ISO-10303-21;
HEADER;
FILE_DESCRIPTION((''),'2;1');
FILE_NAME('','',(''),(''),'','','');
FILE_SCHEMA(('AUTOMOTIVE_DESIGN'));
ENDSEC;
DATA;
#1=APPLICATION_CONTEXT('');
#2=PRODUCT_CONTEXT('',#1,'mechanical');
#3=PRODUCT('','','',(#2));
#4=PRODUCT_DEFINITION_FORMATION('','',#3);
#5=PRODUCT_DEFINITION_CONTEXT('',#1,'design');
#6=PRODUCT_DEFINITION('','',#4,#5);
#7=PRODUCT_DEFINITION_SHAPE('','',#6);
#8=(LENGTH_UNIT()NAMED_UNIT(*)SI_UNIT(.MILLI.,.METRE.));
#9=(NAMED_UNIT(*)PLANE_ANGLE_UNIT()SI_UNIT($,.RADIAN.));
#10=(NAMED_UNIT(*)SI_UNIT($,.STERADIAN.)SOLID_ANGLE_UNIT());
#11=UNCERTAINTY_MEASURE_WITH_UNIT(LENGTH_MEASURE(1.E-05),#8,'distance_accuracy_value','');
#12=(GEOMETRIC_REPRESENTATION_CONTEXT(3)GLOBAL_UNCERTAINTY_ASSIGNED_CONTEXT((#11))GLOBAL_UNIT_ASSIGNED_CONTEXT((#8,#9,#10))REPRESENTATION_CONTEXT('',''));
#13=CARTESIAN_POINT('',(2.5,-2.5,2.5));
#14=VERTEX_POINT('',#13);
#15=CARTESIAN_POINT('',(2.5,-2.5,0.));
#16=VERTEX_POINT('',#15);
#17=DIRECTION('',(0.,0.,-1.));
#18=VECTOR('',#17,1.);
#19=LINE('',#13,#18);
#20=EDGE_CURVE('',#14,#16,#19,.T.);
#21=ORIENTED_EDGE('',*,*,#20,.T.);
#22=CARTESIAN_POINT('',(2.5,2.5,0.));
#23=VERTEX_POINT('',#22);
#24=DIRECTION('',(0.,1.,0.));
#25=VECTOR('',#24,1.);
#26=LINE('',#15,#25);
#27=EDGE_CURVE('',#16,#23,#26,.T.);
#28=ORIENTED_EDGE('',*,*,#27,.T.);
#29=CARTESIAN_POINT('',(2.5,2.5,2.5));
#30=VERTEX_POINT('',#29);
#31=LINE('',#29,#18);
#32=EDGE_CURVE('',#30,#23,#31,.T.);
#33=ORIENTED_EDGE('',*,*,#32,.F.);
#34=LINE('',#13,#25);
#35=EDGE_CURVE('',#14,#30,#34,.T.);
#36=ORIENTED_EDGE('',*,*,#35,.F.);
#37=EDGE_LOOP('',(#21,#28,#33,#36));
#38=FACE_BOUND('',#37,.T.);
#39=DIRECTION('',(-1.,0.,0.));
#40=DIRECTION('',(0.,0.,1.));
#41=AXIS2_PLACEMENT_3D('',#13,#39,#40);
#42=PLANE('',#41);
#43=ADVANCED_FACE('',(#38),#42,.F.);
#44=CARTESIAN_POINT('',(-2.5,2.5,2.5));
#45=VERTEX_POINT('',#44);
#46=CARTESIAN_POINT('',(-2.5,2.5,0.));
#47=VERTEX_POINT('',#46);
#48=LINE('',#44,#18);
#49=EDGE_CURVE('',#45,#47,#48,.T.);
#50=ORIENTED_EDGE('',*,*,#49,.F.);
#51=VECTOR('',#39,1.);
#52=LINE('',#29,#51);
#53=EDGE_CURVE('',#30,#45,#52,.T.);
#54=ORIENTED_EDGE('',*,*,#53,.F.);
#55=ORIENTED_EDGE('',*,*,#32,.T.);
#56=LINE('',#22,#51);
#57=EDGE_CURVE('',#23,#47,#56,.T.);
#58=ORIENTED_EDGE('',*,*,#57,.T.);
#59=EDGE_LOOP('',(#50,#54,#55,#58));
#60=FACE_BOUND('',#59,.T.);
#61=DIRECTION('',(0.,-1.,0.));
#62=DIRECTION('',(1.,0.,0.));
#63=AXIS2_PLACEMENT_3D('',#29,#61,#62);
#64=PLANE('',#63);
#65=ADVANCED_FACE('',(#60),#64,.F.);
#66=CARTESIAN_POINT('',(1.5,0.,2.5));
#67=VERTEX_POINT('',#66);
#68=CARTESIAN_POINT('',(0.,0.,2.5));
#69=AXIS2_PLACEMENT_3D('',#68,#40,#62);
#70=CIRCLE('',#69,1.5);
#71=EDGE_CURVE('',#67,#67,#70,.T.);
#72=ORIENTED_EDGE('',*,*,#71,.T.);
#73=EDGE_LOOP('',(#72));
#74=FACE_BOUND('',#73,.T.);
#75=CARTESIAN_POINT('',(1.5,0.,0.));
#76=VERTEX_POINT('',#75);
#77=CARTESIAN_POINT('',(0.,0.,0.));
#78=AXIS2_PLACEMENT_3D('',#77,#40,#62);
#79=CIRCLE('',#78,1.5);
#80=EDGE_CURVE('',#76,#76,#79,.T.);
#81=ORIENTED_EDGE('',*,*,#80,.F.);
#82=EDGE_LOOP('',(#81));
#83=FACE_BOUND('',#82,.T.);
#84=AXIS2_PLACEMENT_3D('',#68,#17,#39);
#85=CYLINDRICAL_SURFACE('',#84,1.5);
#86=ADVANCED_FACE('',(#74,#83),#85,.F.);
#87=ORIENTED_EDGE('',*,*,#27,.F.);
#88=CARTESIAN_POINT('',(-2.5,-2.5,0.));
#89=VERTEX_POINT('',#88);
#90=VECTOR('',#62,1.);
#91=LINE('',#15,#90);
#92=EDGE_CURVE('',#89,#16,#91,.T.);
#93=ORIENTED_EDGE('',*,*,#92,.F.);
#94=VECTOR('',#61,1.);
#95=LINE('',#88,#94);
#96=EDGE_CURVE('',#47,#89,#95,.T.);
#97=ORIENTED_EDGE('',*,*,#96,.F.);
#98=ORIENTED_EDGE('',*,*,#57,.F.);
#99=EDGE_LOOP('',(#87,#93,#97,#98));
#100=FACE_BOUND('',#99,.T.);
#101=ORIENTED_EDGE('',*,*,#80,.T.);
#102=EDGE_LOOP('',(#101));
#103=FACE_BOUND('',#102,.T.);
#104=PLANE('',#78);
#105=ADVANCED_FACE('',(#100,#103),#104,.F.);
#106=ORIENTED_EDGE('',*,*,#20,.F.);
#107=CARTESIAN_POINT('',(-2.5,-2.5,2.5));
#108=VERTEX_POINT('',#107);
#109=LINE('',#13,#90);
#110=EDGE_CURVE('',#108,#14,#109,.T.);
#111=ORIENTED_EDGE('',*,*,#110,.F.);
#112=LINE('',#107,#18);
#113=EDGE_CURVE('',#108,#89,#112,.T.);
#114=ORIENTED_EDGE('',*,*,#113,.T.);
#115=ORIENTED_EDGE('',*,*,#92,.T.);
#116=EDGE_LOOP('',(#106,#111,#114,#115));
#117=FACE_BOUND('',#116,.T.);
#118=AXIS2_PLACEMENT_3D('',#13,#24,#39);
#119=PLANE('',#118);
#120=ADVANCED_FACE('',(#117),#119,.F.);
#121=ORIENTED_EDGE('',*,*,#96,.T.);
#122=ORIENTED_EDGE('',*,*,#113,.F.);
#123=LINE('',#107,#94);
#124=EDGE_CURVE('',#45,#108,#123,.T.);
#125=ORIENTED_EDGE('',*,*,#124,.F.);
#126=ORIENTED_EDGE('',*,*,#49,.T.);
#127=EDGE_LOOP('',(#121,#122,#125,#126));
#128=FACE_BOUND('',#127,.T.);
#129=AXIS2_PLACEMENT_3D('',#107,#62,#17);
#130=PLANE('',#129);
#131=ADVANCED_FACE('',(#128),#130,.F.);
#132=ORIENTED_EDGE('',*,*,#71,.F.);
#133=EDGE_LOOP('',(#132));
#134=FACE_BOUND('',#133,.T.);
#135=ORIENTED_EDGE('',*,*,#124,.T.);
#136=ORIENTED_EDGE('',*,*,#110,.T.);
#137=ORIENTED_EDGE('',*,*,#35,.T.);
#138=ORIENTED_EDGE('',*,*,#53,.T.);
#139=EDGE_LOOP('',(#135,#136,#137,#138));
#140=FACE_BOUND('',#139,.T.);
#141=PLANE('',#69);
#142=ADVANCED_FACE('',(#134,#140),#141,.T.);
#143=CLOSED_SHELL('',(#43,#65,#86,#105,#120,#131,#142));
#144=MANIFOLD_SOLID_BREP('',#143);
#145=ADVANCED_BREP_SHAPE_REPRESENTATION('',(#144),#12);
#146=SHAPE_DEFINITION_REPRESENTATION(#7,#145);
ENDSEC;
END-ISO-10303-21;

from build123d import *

# Parameters (mm, degrees)
SKETCH1_W           = 5
SKETCH1_H           = 5
SKETCH1_R           = 1.5
BOSS_EXTRUDE1_DEPTH = 2.5


with BuildPart() as part:
    # Sketch1 → Boss-Extrude1 (new body)
    with BuildSketch(Plane.XY):
        Rectangle(SKETCH1_W, SKETCH1_H)
        Circle(SKETCH1_R, mode=Mode.SUBTRACT)
    extrude(amount=BOSS_EXTRUDE1_DEPTH)


solid = part.part
